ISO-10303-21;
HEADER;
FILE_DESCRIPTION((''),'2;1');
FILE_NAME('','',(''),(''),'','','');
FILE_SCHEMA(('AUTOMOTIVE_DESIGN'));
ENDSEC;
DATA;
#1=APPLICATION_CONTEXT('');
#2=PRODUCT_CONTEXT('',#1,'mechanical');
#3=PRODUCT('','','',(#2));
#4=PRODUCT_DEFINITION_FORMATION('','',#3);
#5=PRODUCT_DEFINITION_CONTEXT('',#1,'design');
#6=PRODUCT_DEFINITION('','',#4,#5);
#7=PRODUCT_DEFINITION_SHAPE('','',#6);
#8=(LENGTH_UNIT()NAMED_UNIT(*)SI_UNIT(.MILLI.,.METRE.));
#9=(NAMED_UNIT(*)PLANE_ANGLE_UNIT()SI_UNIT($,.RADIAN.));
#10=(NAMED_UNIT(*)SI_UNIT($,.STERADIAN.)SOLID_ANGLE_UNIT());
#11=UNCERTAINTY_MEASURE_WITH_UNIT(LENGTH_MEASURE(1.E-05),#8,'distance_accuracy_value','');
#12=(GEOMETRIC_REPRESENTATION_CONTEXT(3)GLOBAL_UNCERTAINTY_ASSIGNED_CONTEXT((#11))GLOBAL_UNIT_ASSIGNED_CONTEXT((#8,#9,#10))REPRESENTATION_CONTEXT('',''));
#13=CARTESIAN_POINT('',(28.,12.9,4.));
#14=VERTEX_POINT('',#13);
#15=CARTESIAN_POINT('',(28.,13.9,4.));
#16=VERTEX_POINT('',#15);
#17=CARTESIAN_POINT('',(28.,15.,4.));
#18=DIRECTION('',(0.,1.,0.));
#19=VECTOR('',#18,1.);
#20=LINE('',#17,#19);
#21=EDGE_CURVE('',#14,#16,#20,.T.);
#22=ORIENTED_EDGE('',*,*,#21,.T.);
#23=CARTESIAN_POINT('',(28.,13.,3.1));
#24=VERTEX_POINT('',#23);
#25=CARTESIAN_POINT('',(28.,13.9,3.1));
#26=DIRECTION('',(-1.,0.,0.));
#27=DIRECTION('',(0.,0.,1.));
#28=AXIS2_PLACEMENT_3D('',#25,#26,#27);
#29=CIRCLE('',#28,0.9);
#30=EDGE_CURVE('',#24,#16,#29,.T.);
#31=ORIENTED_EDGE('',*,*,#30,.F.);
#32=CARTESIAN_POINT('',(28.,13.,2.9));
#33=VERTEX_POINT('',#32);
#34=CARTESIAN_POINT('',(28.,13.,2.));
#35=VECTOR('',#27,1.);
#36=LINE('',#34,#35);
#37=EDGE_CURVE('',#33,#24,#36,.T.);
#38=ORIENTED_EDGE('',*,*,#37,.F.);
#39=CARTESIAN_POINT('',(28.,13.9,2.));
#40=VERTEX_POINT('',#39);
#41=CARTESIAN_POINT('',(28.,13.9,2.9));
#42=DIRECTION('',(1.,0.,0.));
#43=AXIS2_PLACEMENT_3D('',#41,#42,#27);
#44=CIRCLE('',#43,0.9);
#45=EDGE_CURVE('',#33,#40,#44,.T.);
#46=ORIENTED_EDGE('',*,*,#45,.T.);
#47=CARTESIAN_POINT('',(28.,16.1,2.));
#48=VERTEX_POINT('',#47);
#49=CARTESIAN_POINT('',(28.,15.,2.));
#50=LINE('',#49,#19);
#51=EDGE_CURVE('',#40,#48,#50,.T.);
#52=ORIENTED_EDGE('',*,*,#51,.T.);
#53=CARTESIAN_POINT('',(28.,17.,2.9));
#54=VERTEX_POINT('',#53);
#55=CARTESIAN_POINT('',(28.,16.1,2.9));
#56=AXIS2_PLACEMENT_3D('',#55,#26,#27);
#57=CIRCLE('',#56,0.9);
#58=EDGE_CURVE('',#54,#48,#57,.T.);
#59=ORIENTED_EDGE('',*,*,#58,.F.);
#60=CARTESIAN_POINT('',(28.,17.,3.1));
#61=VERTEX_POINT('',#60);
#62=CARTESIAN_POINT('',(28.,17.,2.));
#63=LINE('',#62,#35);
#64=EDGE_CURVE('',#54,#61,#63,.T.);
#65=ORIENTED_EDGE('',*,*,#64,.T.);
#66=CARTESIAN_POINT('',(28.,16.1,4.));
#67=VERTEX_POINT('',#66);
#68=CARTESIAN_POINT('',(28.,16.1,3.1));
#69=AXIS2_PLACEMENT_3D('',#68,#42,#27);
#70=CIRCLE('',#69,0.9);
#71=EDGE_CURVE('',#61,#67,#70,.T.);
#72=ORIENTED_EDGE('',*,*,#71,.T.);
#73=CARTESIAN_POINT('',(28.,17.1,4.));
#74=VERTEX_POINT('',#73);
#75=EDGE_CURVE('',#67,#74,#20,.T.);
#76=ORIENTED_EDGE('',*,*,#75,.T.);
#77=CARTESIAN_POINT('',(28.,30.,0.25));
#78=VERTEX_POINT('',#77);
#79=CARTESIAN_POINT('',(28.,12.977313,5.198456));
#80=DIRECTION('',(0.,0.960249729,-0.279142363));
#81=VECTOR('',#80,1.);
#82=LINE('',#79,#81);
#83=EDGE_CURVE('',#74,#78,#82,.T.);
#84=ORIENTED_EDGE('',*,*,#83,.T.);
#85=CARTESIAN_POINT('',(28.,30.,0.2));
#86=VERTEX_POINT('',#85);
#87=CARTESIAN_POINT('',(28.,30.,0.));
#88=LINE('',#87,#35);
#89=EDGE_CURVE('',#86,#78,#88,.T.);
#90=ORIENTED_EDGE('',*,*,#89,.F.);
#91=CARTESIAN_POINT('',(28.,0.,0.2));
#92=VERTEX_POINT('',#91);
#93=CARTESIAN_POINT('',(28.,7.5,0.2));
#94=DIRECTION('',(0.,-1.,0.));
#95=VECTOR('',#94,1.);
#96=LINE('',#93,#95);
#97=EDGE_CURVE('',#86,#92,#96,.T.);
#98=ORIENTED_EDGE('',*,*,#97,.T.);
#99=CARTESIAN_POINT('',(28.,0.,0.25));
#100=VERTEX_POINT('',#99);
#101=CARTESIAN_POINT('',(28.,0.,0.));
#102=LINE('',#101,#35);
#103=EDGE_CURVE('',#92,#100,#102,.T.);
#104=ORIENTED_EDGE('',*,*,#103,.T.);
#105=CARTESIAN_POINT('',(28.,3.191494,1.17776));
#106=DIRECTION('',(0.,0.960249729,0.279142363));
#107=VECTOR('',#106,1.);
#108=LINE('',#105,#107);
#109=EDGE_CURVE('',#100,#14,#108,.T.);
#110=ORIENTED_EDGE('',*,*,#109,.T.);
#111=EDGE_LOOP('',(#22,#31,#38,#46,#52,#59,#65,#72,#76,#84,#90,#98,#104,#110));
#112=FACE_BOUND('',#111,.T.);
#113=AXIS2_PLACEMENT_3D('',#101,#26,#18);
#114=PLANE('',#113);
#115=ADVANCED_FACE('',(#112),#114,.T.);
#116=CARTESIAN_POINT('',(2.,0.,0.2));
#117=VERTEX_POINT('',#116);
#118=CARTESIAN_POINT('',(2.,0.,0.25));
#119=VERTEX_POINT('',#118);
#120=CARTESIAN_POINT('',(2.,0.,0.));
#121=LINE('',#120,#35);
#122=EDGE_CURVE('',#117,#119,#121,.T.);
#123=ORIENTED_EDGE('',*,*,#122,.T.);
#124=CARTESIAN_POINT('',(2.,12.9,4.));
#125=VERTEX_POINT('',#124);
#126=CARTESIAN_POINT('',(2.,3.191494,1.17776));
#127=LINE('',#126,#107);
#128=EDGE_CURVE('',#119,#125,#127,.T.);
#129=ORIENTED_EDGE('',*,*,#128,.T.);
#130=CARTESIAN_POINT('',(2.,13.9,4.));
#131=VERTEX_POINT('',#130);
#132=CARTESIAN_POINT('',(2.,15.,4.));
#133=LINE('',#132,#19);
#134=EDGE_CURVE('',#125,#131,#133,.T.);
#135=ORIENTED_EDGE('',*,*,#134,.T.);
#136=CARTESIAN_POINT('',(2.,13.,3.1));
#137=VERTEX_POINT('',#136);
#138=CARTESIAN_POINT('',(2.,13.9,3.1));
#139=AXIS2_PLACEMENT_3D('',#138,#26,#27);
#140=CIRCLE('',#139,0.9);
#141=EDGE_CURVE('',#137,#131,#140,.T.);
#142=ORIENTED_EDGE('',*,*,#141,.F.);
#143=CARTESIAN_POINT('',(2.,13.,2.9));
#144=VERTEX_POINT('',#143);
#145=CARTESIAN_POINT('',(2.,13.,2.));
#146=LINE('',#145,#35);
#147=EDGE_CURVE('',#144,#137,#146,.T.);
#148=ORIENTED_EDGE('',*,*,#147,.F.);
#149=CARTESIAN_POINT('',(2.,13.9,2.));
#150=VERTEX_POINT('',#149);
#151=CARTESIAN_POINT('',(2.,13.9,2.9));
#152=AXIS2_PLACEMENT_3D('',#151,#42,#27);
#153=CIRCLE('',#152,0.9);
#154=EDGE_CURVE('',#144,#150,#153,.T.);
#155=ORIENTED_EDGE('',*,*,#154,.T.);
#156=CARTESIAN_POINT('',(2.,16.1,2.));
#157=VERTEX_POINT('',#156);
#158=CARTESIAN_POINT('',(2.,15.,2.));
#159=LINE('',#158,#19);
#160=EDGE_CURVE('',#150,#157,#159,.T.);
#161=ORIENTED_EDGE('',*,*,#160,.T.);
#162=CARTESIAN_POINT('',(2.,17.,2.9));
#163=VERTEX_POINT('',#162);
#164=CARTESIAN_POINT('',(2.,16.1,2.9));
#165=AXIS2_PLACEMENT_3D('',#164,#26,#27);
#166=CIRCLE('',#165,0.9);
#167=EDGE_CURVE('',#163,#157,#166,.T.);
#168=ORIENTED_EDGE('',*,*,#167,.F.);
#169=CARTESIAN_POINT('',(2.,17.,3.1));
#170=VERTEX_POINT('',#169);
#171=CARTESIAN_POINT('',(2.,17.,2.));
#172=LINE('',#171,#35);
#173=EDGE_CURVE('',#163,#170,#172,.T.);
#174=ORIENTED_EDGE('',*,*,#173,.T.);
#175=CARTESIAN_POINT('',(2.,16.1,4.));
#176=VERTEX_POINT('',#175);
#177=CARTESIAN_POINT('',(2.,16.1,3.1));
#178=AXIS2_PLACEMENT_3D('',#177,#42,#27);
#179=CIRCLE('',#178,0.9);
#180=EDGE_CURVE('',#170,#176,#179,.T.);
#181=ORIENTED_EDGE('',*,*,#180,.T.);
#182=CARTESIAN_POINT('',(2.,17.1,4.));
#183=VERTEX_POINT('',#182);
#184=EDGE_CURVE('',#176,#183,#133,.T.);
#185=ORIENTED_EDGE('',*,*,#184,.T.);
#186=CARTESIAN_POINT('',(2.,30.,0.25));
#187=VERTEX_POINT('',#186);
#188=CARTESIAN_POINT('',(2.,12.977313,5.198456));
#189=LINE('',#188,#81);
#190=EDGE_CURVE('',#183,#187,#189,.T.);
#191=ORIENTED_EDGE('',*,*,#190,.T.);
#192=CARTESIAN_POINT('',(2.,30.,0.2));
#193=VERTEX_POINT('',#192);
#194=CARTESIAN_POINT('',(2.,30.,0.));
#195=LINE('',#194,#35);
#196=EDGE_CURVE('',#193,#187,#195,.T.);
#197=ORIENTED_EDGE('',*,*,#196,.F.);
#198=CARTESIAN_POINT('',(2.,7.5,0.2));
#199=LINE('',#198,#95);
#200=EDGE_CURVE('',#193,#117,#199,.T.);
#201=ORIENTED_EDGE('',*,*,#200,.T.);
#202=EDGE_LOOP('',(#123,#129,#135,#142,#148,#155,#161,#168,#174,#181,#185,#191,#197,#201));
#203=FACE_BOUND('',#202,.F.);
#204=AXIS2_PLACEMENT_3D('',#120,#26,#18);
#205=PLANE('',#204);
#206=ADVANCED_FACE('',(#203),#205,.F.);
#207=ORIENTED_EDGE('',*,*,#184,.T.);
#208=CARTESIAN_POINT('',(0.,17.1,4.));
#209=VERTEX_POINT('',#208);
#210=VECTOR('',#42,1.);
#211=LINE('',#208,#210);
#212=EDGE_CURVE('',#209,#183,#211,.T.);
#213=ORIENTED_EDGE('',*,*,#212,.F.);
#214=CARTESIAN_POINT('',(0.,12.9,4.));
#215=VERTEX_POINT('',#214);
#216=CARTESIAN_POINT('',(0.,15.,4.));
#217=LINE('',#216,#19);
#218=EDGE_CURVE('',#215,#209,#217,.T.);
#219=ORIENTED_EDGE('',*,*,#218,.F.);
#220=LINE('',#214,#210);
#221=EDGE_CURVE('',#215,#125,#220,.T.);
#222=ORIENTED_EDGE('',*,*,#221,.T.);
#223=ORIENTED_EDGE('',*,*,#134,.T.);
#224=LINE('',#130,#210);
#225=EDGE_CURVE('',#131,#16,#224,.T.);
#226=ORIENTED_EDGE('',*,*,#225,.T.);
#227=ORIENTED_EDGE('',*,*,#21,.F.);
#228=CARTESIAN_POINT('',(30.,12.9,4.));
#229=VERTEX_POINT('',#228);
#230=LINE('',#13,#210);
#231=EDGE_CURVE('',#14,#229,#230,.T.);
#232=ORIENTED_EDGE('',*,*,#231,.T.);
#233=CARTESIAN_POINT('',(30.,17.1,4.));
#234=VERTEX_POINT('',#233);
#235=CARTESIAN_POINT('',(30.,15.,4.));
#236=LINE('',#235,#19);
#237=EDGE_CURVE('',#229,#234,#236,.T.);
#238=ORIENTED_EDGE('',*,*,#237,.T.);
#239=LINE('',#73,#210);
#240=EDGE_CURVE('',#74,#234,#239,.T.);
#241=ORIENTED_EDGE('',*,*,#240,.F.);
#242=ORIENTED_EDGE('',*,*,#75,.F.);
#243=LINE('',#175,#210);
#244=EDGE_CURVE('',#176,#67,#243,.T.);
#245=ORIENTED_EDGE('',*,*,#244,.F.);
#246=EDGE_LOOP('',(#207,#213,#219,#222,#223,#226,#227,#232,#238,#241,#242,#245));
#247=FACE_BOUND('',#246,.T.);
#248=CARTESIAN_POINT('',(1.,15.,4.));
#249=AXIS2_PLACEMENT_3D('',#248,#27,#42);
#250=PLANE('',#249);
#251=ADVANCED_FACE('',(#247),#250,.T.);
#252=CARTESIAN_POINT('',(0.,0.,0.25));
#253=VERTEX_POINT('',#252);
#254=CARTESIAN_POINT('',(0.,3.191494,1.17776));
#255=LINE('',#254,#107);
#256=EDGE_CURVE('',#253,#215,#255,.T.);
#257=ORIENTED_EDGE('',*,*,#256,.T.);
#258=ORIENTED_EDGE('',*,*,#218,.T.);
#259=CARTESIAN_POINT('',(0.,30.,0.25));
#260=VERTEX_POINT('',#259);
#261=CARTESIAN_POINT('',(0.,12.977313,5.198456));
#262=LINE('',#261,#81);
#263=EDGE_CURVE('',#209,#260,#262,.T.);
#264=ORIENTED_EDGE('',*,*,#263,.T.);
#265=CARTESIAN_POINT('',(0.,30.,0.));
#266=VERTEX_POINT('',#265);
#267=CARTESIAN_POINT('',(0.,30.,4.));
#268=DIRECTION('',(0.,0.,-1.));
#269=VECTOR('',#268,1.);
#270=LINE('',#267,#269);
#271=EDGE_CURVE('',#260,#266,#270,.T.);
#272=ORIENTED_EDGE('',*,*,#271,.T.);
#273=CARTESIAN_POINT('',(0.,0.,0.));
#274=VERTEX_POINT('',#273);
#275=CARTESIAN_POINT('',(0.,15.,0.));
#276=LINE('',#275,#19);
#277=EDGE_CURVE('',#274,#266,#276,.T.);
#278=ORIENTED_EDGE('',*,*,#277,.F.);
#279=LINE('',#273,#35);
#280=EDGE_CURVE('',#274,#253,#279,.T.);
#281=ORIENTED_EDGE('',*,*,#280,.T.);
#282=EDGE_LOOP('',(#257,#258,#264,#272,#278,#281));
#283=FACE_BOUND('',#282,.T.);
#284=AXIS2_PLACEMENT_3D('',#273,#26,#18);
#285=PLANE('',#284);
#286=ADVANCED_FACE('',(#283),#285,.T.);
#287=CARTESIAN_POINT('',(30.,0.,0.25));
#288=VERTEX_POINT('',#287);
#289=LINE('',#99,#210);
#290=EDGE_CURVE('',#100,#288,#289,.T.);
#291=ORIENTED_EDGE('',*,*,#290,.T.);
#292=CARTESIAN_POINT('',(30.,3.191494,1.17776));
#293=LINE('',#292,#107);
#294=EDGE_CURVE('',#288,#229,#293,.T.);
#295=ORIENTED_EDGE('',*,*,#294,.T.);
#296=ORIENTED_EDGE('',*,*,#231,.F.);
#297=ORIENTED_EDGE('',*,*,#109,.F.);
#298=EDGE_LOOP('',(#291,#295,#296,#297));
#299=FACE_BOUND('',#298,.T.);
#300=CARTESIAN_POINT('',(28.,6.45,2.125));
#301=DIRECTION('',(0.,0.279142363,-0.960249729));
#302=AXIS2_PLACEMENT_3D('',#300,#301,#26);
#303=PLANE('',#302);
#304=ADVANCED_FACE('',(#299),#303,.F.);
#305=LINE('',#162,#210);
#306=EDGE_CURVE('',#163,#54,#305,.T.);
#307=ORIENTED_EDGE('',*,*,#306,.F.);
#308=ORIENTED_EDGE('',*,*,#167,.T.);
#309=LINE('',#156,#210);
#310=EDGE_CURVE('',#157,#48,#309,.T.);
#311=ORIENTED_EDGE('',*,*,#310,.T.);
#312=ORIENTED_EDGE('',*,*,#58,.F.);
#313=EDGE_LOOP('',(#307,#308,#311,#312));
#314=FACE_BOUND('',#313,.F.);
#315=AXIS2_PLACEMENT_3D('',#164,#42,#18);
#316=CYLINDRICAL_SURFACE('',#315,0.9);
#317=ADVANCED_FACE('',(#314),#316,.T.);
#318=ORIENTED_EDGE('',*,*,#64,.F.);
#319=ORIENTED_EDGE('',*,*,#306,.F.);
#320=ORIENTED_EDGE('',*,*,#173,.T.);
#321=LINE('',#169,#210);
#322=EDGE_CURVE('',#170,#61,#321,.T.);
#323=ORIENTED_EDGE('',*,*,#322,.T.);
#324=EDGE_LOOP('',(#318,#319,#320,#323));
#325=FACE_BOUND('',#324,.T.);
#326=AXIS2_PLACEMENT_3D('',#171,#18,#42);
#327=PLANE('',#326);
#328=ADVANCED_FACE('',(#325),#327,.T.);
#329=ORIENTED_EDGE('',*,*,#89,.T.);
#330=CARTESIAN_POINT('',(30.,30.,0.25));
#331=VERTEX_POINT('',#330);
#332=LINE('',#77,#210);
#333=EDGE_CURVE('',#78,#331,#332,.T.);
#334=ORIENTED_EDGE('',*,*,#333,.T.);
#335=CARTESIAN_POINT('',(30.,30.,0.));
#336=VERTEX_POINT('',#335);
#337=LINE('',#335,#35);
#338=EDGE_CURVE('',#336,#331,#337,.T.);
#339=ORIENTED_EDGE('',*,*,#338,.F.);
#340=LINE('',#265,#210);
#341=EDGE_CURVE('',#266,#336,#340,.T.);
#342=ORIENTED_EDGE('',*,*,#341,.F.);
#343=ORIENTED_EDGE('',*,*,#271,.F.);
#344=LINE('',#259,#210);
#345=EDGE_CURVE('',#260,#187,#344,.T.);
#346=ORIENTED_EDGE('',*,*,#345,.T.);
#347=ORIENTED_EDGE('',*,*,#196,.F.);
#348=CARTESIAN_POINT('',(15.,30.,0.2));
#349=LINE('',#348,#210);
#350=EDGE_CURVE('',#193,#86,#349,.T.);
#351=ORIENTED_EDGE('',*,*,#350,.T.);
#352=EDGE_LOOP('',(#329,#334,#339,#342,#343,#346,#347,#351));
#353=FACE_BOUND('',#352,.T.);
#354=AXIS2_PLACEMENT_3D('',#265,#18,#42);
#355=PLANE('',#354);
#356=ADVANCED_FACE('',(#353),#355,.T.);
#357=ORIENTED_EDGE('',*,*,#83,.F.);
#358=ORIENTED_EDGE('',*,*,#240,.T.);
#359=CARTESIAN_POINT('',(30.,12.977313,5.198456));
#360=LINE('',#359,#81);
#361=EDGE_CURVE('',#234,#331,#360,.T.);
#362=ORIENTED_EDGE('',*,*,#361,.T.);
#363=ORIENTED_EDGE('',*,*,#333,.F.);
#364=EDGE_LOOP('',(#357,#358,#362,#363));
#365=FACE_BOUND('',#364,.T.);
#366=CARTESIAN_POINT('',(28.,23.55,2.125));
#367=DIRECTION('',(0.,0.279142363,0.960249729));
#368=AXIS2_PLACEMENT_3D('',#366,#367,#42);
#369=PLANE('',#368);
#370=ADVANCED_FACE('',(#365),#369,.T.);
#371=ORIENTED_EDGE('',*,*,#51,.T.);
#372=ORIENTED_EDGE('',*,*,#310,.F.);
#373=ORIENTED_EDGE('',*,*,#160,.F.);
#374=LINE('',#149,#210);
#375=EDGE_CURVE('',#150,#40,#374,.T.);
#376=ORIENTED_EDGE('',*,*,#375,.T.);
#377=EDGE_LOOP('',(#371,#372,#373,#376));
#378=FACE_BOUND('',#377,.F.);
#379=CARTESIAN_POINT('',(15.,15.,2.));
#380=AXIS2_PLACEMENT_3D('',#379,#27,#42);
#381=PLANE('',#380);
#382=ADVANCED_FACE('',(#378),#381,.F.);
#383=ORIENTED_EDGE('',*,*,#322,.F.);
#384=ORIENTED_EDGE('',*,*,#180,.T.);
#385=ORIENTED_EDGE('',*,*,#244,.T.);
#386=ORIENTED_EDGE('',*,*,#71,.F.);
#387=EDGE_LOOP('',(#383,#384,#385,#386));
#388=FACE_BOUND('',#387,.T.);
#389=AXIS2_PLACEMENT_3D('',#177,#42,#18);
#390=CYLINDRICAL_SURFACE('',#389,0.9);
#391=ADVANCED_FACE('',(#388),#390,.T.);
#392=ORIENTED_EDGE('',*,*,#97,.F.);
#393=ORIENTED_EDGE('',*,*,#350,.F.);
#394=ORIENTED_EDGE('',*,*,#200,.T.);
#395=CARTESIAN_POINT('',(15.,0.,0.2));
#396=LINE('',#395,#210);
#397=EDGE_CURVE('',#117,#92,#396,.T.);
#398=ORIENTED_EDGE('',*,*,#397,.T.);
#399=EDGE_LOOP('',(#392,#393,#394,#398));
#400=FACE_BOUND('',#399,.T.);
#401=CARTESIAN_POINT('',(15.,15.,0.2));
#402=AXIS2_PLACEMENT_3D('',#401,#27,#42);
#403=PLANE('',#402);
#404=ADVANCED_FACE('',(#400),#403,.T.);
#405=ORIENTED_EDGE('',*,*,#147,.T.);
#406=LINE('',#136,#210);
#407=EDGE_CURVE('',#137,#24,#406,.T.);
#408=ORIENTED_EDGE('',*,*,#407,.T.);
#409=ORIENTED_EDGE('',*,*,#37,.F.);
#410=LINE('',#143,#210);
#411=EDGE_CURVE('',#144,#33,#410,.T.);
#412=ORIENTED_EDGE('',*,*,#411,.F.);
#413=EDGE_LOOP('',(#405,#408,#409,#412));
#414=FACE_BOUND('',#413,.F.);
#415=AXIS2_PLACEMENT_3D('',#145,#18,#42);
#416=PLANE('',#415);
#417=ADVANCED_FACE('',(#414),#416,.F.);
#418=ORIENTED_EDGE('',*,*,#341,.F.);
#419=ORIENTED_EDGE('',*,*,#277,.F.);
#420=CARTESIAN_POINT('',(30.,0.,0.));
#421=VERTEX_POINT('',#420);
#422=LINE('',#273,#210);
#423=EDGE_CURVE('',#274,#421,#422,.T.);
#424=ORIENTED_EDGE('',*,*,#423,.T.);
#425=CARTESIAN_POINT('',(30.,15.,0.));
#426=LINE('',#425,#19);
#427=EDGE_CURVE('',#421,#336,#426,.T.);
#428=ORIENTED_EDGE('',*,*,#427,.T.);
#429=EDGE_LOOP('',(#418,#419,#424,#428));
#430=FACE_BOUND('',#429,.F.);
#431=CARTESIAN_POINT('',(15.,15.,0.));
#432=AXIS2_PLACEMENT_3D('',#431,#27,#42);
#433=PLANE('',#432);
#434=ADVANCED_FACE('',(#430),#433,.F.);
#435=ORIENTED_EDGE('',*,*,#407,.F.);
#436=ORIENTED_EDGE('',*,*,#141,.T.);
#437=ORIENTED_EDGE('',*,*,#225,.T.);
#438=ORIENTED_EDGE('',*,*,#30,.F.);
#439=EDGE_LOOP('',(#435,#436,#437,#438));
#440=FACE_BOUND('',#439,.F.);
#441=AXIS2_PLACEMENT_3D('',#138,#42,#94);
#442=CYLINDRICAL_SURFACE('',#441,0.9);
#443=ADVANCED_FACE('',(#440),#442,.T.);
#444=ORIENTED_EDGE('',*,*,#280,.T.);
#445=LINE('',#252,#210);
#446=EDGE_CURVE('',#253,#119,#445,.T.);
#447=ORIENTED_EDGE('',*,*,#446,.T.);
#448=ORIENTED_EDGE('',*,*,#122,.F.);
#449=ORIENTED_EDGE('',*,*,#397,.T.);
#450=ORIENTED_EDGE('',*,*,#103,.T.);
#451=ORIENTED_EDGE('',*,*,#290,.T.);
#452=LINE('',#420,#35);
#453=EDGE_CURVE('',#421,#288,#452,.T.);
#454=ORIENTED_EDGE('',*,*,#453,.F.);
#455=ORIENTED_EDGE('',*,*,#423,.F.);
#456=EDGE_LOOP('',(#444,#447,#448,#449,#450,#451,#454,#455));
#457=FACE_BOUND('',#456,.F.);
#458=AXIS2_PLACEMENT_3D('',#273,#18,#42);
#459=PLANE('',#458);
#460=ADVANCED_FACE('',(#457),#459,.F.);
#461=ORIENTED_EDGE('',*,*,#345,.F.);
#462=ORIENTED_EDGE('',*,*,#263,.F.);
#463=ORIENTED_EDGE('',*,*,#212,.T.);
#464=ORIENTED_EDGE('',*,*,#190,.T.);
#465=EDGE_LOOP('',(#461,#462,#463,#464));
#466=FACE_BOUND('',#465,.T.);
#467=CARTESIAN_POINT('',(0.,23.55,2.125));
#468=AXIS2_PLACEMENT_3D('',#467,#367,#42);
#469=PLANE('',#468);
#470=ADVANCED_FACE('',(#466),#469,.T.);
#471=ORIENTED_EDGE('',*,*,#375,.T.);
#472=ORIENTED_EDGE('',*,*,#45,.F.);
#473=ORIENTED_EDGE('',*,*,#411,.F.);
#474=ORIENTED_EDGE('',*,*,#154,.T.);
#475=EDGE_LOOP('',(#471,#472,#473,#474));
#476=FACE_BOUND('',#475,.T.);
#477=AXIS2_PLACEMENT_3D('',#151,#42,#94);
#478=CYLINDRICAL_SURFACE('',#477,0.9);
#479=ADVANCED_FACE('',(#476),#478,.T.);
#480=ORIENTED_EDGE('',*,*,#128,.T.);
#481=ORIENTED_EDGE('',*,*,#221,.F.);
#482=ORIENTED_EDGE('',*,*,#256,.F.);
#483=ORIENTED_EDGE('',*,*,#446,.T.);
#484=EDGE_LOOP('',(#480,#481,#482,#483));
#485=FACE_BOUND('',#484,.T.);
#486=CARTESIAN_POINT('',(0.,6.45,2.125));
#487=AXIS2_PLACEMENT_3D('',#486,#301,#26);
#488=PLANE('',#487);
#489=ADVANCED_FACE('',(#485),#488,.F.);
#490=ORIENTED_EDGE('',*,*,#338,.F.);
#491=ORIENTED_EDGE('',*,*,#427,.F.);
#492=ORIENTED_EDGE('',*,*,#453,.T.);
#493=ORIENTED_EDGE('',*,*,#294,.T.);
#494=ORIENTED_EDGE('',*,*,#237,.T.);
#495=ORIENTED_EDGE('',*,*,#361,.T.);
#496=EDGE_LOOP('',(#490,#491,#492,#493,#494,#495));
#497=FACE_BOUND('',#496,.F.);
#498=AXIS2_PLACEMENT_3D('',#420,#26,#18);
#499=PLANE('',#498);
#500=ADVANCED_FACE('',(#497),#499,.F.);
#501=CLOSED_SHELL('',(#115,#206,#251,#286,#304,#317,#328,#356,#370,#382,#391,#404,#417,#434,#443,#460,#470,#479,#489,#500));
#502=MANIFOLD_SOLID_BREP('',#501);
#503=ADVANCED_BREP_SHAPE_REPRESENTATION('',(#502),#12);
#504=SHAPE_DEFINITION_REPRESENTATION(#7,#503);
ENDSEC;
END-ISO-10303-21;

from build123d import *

# Parameters (mm, degrees)
BOX001_W        = 2
BOX001_H        = 30
BOX001_DEPTH    = 4
BOX002_W        = 2
BOX002_H        = 30
BOX002_DEPTH    = 4
BOX003_W        = 26
BOX003_H        = 4
BOX003_DEPTH    = 2
FILLET_R        = 0.9
BOX_W           = 30
BOX_H           = 30
BOX_DEPTH       = 0.2
CHAMFER_1_SIZE2 = 3.75
CHAMFER_1_SIZE  = 12.9
CHAMFER_2_SIZE2 = 3.75
CHAMFER_2_SIZE  = 12.9
CHAMFER_3_SIZE2 = 12.9
CHAMFER_3_SIZE  = 3.75
CHAMFER_4_SIZE2 = 12.9
CHAMFER_4_SIZE  = 3.75


with BuildPart() as box001:
    # Box001 → Box001 (new body)
    with BuildSketch(Plane.XY):
        with Locations((1, 15)):
            Rectangle(BOX001_W, BOX001_H)
    extrude(amount=BOX001_DEPTH)


with BuildPart() as box002:
    # Box002 → Box002 (new body)
    with BuildSketch(Plane(origin=(28, 0, 0), x_dir=(1, 0, 0), z_dir=(0, 0, 1))):
        with Locations((1, 15)):
            Rectangle(BOX002_W, BOX002_H)
    extrude(amount=BOX002_DEPTH)


with BuildPart() as fillet_body:
    # Box003 → Box003 (new body)
    with BuildSketch(Plane(origin=(2, 13, 2), x_dir=(1, 0, 0), z_dir=(0, 0, 1))):
        with Locations((13, 2)):
            Rectangle(BOX003_W, BOX003_H)
    extrude(amount=BOX003_DEPTH)

    # Fillet
    fillet_edges = [fillet_body.edges().sort_by_distance(p)[0] for p in [
        (15, 13, 2),
        (15, 13, 4),
        (15, 17, 2),
        (15, 17, 4),
    ]]
    fillet(fillet_edges, radius=FILLET_R)


with BuildPart() as strapassembly:
    # Box → Box (new body)
    with BuildSketch(Plane.XY):
        with Locations((15, 15)):
            Rectangle(BOX_W, BOX_H)
    extrude(amount=BOX_DEPTH)

    # Fusion: union Box001, Box002, Fillet body
    add(box001.part)
    add(box002.part)
    add(fillet_body.part)

    # Chamfer 1
    chamfer_1_edges = [strapassembly.edges().sort_by_distance(p)[0] for p in [
        (29, 30, 4),
    ]]
    chamfer_1_side = strapassembly.faces().sort_by_distance((29, 15, 4))[0]
    chamfer(chamfer_1_edges, length=CHAMFER_1_SIZE, length2=CHAMFER_1_SIZE2, reference=chamfer_1_side)

    # Chamfer 2
    chamfer_2_edges = [strapassembly.edges().sort_by_distance(p)[0] for p in [
        (1, 30, 4),
    ]]
    chamfer_2_side = strapassembly.faces().sort_by_distance((1, 15, 4))[0]
    chamfer(chamfer_2_edges, length=CHAMFER_2_SIZE, length2=CHAMFER_2_SIZE2, reference=chamfer_2_side)

    # Chamfer 3
    chamfer_3_edges = [strapassembly.edges().sort_by_distance(p)[0] for p in [
        (29, 0, 4),
    ]]
    chamfer_3_side = strapassembly.faces().sort_by_distance((29, 0, 2.1))[0]
    chamfer(chamfer_3_edges, length=CHAMFER_3_SIZE, length2=CHAMFER_3_SIZE2, reference=chamfer_3_side)

    # Chamfer 4
    chamfer_4_edges = [strapassembly.edges().sort_by_distance(p)[0] for p in [
        (1, 0, 4),
    ]]
    chamfer_4_side = strapassembly.faces().sort_by_distance((1, 0, 2.1))[0]
    chamfer(chamfer_4_edges, length=CHAMFER_4_SIZE, length2=CHAMFER_4_SIZE2, reference=chamfer_4_side)


solid = strapassembly.part
